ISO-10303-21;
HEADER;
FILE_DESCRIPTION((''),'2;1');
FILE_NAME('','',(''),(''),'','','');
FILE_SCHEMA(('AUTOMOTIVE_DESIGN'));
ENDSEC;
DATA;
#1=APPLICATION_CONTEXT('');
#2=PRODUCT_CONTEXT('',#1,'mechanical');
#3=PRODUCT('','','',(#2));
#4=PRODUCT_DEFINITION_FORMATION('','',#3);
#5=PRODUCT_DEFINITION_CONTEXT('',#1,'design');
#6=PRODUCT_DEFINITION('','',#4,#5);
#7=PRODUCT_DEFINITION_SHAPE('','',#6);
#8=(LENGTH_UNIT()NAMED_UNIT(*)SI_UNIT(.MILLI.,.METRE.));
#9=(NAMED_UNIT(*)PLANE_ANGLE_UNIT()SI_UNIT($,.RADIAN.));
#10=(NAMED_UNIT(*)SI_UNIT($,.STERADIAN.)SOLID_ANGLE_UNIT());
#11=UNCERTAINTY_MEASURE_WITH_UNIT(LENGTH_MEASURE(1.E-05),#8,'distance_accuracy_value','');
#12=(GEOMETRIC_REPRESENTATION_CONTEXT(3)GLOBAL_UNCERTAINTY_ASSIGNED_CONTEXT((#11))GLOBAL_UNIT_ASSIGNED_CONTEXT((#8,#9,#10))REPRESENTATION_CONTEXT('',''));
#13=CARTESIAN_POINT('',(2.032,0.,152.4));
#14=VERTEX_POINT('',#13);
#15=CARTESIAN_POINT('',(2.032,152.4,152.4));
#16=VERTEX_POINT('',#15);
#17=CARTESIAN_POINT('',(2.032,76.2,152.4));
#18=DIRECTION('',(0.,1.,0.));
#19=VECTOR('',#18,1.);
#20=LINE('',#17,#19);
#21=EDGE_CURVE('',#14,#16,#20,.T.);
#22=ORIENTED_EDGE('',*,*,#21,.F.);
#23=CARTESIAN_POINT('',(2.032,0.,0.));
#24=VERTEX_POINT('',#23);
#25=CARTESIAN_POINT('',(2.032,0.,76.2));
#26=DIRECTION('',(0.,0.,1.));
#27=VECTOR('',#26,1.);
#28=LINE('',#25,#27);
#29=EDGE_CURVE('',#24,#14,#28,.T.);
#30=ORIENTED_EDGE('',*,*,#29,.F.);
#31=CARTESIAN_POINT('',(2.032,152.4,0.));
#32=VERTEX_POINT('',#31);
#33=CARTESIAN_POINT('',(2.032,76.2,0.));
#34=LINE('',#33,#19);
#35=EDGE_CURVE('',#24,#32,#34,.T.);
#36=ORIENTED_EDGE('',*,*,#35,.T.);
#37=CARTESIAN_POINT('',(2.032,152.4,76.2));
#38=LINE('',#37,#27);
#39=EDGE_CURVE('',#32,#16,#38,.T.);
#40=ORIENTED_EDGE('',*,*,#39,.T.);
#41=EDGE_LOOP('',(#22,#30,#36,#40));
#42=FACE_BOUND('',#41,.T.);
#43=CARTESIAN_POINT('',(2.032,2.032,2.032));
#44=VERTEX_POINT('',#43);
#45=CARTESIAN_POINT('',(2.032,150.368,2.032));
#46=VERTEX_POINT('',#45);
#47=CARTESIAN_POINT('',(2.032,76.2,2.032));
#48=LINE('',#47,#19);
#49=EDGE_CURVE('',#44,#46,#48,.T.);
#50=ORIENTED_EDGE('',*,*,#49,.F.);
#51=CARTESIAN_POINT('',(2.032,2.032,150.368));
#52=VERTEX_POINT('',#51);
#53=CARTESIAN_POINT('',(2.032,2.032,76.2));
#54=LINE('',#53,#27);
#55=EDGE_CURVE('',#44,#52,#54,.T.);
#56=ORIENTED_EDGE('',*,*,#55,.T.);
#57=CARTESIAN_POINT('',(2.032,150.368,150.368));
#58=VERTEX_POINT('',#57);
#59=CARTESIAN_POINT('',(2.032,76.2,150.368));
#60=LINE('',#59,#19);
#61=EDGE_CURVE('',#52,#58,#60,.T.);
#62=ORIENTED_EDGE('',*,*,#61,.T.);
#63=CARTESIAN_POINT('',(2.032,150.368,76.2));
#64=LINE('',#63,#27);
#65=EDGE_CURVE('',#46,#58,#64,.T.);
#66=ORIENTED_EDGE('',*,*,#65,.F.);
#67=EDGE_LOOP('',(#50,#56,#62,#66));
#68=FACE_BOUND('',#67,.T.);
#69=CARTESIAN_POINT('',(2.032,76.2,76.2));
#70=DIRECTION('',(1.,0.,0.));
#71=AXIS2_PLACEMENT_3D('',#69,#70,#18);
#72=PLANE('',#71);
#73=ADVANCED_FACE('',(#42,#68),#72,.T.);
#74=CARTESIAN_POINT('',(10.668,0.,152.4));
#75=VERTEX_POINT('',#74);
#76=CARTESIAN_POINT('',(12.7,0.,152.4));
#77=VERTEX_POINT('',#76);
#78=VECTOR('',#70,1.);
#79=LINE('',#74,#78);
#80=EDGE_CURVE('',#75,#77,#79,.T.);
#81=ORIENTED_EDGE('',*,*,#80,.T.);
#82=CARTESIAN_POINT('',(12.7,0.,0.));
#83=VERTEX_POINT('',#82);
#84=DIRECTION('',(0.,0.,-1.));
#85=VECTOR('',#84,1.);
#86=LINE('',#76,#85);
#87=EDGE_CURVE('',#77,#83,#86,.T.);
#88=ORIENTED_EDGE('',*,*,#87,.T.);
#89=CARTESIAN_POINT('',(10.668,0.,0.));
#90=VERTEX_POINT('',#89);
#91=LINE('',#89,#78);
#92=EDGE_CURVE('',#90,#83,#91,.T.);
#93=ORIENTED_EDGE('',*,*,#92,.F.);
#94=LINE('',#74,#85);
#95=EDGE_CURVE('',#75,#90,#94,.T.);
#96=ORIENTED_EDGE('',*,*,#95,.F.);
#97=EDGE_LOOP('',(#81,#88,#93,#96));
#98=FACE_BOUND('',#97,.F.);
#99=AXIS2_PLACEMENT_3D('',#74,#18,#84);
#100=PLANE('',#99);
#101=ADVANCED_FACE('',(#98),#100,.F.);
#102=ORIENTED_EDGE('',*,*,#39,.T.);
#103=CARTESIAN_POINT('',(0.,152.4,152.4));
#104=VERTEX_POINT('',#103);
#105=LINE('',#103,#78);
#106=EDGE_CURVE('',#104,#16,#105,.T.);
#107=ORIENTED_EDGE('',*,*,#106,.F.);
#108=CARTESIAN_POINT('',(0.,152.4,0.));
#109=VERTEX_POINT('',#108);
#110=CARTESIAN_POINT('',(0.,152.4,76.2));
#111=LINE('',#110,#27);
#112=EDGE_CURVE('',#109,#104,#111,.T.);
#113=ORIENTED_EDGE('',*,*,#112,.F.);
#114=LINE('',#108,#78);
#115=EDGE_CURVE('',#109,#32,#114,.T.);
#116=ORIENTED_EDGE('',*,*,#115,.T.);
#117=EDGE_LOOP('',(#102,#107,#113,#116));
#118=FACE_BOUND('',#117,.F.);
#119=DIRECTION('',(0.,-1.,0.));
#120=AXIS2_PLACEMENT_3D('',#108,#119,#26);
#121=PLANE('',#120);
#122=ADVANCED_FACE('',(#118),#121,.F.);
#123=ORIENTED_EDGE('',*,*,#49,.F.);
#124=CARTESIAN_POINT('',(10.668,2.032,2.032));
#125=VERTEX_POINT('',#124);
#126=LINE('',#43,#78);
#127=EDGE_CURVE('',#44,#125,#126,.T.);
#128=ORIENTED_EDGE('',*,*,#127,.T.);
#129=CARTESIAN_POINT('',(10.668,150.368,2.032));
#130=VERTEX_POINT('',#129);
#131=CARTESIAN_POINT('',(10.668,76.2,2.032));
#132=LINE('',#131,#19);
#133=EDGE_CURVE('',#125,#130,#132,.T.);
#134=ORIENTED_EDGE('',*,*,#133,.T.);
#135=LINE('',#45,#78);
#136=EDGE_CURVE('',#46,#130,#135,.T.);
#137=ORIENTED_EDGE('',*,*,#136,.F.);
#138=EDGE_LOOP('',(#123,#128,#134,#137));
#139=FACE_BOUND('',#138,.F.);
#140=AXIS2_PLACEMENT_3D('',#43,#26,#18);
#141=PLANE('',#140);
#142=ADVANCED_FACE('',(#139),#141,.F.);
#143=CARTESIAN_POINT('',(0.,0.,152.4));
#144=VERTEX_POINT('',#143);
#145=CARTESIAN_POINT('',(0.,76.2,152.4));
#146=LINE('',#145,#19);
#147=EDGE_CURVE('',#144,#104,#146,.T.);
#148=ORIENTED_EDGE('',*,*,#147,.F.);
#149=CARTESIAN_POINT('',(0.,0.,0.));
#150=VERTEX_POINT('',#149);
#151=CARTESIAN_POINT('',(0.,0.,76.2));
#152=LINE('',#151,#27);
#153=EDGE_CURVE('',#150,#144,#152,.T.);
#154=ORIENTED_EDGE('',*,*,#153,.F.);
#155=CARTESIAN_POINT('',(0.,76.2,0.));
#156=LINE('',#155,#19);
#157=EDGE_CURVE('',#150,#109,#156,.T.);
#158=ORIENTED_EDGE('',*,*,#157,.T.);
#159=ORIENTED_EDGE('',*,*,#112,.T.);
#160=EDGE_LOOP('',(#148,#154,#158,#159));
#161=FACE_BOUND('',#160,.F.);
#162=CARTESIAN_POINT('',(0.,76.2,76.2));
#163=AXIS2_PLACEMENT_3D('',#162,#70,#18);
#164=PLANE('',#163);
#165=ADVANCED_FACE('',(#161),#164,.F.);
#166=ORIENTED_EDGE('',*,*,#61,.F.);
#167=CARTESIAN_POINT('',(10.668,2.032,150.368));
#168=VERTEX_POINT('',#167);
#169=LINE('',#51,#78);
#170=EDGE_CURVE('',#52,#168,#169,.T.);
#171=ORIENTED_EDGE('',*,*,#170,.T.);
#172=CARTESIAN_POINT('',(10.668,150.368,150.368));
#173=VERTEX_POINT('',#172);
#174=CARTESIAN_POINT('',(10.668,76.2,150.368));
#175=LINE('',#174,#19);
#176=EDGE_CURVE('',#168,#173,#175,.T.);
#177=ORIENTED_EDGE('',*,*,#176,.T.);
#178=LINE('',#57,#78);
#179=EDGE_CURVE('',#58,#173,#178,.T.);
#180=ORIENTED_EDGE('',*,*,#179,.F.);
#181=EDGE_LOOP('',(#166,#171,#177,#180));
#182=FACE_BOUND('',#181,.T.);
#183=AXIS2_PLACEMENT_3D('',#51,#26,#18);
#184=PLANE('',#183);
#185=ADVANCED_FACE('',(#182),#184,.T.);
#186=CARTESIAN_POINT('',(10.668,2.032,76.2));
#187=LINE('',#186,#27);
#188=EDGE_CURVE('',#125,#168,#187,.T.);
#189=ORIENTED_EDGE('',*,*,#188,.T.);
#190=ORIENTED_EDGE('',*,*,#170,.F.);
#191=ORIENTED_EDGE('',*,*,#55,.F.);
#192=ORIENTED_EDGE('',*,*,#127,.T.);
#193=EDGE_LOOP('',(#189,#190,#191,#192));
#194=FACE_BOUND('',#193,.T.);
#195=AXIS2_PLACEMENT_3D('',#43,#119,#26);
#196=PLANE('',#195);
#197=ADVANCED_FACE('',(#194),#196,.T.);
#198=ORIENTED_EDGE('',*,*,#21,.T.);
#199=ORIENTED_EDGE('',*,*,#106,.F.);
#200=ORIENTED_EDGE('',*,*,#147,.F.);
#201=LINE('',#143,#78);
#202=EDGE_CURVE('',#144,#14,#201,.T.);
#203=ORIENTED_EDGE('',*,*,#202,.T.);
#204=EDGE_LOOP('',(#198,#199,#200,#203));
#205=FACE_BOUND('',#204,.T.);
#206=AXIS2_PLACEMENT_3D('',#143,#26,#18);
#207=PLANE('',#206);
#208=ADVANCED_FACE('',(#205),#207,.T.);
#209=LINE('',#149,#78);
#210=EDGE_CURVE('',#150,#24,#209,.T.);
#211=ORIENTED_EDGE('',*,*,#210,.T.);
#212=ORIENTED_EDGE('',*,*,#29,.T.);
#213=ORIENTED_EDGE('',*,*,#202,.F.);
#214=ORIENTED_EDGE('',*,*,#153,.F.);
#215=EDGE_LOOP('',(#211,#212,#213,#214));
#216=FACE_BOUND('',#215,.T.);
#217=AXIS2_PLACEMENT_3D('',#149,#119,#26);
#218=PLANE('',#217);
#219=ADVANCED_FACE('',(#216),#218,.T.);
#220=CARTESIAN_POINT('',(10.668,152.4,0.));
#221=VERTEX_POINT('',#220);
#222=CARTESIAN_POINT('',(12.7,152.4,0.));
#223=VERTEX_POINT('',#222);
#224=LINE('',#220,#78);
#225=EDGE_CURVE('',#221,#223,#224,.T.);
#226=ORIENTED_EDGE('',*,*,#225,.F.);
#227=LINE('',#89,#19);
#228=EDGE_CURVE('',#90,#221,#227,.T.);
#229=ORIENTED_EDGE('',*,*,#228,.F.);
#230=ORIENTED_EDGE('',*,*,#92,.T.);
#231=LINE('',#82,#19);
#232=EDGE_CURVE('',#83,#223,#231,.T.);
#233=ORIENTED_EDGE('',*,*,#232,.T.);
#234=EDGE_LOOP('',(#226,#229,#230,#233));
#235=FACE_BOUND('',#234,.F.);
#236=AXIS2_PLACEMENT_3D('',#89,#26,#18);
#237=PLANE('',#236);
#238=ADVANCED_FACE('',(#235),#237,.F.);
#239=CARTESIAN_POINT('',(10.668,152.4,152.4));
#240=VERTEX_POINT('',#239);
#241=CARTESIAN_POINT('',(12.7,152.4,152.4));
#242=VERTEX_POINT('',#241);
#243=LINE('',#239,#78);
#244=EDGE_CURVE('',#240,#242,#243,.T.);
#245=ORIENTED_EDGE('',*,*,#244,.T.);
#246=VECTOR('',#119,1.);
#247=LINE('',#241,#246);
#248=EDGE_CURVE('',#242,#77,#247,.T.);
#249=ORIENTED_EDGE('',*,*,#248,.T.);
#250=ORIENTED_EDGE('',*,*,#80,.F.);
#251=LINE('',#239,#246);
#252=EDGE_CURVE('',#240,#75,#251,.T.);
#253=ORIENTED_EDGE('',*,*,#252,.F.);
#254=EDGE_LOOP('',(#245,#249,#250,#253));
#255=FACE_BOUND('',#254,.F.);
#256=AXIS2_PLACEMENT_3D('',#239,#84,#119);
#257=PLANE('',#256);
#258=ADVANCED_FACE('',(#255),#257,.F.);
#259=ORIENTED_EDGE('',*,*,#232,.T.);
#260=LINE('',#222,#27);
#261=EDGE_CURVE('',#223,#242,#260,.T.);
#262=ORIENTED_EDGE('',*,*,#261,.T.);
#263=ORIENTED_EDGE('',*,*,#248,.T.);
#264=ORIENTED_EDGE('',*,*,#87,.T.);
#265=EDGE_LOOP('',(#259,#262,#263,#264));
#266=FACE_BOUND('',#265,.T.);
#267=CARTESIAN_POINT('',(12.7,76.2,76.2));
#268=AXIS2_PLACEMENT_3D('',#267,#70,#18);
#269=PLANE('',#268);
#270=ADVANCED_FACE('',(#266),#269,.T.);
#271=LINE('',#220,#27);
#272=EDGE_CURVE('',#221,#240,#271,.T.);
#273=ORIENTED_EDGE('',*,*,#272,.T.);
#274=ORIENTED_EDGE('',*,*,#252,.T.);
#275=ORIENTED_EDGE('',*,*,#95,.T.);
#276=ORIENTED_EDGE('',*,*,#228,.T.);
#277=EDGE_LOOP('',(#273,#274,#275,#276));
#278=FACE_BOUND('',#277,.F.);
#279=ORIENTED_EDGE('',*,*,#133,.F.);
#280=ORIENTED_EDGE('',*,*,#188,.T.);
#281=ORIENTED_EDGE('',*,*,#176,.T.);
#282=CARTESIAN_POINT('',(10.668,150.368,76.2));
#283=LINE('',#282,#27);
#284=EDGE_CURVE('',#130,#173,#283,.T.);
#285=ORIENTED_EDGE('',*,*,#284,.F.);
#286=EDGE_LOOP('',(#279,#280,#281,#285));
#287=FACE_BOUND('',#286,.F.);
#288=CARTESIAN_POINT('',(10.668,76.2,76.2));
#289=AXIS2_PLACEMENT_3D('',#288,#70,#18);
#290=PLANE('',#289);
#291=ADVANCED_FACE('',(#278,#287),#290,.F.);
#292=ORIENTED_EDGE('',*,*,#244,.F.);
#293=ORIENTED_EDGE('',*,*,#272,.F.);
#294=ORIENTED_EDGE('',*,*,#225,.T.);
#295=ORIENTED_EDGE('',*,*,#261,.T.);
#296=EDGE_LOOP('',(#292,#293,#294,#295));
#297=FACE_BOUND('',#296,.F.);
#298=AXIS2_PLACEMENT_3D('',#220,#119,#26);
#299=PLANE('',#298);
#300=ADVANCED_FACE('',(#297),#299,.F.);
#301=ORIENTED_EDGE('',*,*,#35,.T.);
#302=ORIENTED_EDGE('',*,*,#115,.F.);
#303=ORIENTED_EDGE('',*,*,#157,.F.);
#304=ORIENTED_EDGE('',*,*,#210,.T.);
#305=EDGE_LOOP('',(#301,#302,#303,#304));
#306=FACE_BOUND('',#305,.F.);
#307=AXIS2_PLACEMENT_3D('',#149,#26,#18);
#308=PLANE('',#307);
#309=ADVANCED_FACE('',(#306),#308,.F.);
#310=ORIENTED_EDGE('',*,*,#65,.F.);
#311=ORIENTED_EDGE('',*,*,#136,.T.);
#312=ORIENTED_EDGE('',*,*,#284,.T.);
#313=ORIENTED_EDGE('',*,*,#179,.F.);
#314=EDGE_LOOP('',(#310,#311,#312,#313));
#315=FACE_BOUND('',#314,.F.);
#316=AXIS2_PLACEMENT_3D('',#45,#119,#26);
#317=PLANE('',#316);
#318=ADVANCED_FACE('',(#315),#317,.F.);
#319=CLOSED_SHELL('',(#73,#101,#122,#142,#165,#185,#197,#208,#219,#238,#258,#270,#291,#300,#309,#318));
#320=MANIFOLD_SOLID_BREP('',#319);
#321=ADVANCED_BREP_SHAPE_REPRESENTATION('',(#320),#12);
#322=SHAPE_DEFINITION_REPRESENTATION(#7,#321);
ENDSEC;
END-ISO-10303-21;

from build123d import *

# Parameters (mm, degrees)
F0_W     = 152.4
F0_H     = 152.4
F1_DEPTH = 2.032
F2_W     = 148.336
F2_H     = 148.336
F3_DEPTH = 8.636
F4_W     = 148.336
F4_H     = 148.336
F5_DEPTH = 2.032


with BuildPart() as f1:
    # F0 (on Right) → F1 (new body)
    with BuildSketch(Plane.YZ):
        with Locations((76.2, 76.2)):
            Rectangle(F0_W, F0_H)
    extrude(amount=F1_DEPTH)

    # F2 (on face) → F3 (join)
    with BuildSketch(Plane.YZ.offset(2.032)):
        with Locations((76.2, 76.2)):
            Rectangle(F2_W, F2_H)
    extrude(amount=F3_DEPTH)

    # F4 (on face) → F5 (join)
    with BuildSketch(Plane.YZ.offset(10.668)):
        Polygon((0, 152.4), (0, 2.032), (0, 0), (152.4, 0), (152.4, 152.4), align=None)
        with Locations((76.2, 76.2)):
            Rectangle(F4_W, F4_H, mode=Mode.SUBTRACT)
        with Locations((76.2, 76.2)):
            Rectangle(F4_W, F4_H)
    extrude(amount=F5_DEPTH)


solid = f1.part
